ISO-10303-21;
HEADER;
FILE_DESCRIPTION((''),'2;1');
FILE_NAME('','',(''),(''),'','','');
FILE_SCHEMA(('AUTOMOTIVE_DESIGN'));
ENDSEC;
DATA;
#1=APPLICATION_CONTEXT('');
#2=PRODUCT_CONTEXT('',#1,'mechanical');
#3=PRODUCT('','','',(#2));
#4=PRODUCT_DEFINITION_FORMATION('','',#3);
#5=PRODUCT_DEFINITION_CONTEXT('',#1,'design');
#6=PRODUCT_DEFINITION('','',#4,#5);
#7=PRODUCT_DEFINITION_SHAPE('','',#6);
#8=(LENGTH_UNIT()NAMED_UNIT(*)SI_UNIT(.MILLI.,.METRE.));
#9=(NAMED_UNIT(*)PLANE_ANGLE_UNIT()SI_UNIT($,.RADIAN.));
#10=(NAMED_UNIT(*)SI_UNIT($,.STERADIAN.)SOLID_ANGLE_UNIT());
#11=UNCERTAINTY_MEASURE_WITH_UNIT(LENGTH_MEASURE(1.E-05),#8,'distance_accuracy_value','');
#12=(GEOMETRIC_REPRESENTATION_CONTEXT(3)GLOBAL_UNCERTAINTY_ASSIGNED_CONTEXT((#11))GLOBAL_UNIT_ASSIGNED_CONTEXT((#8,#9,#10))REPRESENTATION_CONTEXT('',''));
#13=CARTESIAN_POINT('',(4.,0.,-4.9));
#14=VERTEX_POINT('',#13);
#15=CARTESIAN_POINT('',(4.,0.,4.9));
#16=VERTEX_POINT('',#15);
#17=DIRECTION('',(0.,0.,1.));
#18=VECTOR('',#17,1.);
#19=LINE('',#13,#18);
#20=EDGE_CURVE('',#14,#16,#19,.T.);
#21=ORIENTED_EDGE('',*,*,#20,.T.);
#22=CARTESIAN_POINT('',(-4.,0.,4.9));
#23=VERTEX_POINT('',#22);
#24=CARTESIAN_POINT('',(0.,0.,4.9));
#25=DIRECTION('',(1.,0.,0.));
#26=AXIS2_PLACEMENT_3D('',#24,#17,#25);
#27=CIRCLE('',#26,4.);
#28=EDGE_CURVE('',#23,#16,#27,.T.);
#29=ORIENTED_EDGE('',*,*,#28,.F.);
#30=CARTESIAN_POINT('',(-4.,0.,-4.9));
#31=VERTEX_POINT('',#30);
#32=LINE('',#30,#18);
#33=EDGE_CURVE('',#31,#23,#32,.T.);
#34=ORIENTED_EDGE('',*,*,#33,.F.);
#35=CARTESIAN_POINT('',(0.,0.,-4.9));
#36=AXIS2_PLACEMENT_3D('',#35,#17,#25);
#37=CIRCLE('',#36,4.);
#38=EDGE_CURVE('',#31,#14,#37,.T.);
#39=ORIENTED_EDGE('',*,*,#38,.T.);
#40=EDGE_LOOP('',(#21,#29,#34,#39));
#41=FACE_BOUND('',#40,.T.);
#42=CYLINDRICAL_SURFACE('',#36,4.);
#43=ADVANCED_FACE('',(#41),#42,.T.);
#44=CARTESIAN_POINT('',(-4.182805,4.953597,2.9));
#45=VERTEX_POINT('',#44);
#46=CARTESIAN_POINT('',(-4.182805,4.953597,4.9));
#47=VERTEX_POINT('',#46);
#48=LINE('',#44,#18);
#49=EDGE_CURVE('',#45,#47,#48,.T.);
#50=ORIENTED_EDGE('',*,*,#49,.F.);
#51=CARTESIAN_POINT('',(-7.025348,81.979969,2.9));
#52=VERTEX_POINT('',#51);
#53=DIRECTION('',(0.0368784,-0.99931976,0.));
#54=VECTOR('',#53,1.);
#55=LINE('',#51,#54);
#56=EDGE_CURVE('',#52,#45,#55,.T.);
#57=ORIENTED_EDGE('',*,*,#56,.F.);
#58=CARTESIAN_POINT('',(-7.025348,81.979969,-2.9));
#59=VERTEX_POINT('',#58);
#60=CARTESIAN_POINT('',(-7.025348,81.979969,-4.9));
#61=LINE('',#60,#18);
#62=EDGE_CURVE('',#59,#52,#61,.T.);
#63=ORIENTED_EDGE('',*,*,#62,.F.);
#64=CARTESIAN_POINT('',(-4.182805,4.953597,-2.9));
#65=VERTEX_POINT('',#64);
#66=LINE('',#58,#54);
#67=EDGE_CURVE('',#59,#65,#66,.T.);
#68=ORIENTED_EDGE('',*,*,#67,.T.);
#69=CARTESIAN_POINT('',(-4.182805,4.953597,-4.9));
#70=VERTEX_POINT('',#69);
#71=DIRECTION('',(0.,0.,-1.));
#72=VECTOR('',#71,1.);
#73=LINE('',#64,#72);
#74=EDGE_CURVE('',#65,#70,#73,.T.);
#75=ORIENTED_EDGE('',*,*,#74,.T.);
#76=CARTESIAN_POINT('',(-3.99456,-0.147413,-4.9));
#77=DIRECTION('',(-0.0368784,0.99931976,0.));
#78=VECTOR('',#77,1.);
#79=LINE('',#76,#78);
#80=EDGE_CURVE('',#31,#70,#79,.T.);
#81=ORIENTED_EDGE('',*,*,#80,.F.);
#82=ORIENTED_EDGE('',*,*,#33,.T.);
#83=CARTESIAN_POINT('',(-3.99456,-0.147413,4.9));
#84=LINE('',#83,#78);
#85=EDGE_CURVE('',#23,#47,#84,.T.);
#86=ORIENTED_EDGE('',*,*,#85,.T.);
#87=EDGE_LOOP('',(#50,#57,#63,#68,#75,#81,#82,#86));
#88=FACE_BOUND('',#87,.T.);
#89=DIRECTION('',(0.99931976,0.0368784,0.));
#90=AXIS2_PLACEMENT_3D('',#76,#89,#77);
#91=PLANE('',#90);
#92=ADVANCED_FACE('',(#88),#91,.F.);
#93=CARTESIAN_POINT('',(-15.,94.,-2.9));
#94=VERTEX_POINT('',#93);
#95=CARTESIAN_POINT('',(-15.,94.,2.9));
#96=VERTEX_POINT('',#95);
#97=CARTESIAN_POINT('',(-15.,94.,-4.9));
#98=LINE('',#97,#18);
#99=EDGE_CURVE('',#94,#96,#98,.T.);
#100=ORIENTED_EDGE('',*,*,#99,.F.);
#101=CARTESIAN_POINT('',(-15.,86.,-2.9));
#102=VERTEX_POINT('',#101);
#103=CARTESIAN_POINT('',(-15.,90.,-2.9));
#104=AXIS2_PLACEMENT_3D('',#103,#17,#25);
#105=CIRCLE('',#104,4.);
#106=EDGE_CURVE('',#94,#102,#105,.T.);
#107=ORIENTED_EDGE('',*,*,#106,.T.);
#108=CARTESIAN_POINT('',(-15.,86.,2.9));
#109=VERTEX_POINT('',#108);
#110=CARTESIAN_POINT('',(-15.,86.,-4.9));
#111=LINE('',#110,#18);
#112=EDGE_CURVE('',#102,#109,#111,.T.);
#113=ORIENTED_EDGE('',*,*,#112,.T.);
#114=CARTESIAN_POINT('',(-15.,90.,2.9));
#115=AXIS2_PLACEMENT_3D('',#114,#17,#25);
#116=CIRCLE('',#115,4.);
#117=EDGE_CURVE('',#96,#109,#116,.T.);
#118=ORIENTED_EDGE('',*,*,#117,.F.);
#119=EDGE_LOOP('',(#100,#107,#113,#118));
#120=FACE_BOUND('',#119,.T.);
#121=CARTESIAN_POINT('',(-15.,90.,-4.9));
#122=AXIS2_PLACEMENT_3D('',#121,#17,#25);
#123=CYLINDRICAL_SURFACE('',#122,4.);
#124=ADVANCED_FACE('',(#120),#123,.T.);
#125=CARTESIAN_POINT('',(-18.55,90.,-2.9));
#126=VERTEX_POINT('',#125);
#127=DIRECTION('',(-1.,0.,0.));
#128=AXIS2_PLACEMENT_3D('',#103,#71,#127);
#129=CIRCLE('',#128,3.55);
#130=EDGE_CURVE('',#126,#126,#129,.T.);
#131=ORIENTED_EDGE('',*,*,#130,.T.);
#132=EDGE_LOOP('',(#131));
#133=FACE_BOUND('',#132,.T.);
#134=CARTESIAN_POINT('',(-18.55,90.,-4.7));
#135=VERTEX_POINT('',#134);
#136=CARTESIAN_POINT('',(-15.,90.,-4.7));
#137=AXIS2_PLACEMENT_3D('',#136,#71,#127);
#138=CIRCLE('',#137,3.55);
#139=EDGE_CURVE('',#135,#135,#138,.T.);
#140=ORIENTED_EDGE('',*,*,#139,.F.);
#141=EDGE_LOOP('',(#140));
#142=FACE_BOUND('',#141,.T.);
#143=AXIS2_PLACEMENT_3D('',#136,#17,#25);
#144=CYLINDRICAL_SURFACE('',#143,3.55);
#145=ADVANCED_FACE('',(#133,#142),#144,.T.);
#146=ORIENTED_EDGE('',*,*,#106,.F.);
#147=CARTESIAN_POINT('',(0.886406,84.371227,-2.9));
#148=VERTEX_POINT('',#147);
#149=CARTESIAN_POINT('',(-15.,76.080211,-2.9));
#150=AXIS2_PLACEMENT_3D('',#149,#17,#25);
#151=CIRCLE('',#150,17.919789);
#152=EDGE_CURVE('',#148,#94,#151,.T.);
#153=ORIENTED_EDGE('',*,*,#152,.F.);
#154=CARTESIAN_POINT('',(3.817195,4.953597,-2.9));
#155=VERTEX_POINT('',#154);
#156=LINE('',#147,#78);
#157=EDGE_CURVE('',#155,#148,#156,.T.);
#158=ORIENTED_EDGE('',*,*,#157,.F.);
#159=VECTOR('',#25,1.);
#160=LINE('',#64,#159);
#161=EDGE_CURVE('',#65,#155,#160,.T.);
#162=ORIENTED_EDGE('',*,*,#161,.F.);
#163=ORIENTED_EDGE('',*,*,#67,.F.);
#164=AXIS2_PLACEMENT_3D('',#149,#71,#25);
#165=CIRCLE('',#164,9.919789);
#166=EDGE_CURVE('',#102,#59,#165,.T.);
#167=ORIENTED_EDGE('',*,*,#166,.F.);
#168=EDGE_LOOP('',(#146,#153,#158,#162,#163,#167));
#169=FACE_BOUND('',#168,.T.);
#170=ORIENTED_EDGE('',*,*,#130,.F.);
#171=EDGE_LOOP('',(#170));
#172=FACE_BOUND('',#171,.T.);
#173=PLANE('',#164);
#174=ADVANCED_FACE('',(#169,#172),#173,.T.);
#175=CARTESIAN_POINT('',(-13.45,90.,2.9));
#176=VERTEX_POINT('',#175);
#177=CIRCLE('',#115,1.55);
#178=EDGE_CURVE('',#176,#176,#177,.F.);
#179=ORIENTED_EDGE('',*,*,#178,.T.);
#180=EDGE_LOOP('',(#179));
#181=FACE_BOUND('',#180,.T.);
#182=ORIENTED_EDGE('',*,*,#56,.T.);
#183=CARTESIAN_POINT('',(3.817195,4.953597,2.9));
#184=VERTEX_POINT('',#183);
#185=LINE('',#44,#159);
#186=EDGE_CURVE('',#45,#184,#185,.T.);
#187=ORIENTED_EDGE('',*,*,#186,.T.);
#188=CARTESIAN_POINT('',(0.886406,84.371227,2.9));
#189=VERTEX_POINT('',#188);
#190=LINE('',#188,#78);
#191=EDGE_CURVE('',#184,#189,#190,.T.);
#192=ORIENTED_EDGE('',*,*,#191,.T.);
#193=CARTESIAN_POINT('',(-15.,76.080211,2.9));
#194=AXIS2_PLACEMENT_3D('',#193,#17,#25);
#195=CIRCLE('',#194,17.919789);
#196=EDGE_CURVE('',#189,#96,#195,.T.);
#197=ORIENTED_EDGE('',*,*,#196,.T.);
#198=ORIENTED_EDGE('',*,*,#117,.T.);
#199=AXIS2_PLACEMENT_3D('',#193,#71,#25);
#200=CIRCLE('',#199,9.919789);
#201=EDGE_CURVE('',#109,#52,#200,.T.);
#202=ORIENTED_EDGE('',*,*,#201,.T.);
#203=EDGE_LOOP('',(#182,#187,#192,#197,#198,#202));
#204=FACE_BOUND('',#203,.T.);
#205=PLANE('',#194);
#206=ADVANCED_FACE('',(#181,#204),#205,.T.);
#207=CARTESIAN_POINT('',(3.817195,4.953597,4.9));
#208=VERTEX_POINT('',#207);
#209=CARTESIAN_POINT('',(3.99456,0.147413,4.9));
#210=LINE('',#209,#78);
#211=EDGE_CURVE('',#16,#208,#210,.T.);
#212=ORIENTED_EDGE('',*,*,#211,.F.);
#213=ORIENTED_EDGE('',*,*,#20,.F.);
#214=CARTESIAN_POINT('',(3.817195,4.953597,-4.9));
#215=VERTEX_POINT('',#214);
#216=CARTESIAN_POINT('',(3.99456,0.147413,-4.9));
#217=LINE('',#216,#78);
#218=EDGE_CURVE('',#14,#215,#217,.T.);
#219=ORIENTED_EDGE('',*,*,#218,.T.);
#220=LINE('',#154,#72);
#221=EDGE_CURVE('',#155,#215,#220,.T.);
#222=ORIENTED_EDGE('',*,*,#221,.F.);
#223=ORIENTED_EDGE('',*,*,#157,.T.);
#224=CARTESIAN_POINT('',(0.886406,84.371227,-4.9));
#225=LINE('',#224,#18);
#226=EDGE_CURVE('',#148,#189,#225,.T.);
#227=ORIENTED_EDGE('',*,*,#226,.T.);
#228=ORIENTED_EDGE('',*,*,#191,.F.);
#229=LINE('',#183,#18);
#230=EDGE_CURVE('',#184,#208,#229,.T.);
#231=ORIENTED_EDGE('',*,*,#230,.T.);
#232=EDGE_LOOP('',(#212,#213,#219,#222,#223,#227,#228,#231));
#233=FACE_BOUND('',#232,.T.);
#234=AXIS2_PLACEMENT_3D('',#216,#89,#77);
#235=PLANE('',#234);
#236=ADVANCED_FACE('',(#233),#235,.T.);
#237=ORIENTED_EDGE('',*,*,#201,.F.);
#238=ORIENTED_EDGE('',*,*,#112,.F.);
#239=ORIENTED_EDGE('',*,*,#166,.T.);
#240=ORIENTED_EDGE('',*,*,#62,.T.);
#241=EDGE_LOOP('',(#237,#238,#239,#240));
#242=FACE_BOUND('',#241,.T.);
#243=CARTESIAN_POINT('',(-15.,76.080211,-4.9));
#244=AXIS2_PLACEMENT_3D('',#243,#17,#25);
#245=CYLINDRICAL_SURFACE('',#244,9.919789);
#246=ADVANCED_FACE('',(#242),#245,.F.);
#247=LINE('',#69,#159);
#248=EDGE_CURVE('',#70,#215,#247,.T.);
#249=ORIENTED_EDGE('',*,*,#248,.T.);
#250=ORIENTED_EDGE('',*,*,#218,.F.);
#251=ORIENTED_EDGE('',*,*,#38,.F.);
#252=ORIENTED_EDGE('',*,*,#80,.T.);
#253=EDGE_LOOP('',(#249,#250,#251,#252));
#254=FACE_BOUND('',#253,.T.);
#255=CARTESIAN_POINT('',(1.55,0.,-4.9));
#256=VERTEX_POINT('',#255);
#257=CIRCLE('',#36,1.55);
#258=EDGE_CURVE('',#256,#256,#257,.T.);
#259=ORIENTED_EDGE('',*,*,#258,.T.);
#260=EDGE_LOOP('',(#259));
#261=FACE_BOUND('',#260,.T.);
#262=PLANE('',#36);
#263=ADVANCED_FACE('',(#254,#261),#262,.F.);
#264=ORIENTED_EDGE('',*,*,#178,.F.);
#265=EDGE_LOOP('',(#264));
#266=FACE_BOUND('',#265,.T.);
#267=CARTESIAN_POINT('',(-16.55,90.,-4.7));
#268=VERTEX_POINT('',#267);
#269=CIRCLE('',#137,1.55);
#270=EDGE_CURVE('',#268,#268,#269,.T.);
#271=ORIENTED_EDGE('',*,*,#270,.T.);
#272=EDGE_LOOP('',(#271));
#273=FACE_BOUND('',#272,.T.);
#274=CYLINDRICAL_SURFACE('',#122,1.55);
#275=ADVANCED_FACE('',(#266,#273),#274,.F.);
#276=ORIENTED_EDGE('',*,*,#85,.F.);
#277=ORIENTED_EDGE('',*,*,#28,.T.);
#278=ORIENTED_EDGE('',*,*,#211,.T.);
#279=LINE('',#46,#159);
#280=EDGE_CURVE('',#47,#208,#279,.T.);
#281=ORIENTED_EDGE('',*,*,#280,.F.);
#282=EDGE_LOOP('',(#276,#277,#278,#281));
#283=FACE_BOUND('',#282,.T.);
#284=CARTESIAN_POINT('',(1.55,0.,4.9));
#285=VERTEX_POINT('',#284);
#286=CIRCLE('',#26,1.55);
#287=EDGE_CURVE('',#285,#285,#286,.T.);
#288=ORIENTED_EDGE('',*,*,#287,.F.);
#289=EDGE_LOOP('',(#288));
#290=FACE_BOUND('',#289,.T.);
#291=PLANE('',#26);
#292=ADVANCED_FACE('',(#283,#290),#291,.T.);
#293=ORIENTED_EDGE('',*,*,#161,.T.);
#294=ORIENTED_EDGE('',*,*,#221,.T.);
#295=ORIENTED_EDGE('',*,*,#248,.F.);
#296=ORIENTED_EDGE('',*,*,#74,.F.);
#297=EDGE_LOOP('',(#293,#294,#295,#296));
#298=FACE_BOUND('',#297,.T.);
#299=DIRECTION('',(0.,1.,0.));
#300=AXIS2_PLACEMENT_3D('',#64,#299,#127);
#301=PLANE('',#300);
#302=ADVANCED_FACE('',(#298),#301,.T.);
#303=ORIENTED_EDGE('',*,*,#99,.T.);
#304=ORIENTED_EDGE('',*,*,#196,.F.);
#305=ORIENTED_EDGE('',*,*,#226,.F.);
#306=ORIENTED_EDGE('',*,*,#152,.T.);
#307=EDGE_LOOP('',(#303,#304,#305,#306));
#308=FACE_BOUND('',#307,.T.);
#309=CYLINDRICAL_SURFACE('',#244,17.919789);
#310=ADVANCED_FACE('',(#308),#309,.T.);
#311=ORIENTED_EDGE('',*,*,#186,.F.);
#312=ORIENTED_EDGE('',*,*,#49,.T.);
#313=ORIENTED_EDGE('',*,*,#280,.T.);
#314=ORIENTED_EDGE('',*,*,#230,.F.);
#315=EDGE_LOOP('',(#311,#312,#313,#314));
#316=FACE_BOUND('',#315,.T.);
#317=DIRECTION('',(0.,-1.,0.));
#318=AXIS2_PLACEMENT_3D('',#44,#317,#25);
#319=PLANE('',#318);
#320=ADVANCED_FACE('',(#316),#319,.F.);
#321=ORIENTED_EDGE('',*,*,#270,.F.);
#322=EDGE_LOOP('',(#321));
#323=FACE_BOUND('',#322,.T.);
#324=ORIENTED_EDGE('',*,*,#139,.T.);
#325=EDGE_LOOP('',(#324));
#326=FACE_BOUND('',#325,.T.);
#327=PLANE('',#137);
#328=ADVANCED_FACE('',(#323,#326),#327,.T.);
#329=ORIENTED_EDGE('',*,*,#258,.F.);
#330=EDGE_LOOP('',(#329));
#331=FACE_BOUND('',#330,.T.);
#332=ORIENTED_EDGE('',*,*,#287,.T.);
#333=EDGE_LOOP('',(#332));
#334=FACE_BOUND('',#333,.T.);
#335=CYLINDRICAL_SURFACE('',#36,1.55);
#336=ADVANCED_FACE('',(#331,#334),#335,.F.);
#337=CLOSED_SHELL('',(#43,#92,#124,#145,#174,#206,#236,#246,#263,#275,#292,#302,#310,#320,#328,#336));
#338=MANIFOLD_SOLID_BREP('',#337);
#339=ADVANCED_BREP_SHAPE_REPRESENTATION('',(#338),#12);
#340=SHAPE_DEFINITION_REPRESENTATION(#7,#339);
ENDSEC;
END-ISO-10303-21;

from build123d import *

# Parameters (mm, degrees)
BOSS_EXTRU_1_DEPTH      = 4.9
BOSS_EXTRU_1_DEPTH_BACK = 4.9
ESQUISSE1_R             = 1.55
CUT_EXTRUDE1_START      = -2
CUT_EXTRUDE1_DEPTH      = 2
BOSS_EXTRUDE1_START     = 1.8
SKETCH2_R               = 3.55
SKETCH2_R_2             = 1.55
BOSS_EXTRUDE1_DEPTH     = 1.8


with BuildPart() as part:
    # Esquisse1 → Boss.-Extru.1 (new, two sides: drawn at the far end of the back side and taken through both)
    with BuildSketch(Plane.XY.offset(-BOSS_EXTRU_1_DEPTH_BACK)):
        with BuildLine():
            Line((-7.025348052, 81.979968784), (-4, 0))
            ThreePointArc((-4, 0), (0, -4), (4, 0))
            Line((4, 0), (0.886406153, 84.37122672))
            ThreePointArc((0.886406153, 84.37122672), (-5.711685092, 91.40489844), (-15, 94))
            ThreePointArc((-15, 94), (-19, 90), (-15, 86))
            ThreePointArc((-15, 86), (-10.534696968, 84.938161277), (-7.025348052, 81.979968784))
        make_face()
        Circle(ESQUISSE1_R, mode=Mode.SUBTRACT)
        with Locations((-15, 90)):
            Circle(ESQUISSE1_R, mode=Mode.SUBTRACT)
    extrude(amount=BOSS_EXTRU_1_DEPTH + BOSS_EXTRU_1_DEPTH_BACK)

    # Sketch1 → Cut-Extrude1 (cut)
    with BuildSketch(Plane.XY.offset(4.9).offset(CUT_EXTRUDE1_START)):
        with BuildLine():
            Line((-7.025348052, 81.979968784), (-4.182805069, 4.953596614))
            Line((-4.182805069, 4.953596614), (3.817194931, 4.953596614))
            Line((3.817194931, 4.953596614), (0.886406153, 84.37122672))
            ThreePointArc((0.886406153, 84.37122672), (-5.711685092, 91.40489844), (-15, 94))
            ThreePointArc((-15, 94), (-19, 90), (-15, 86))
            ThreePointArc((-15, 86), (-10.534696968, 84.938161277), (-7.025348052, 81.979968784))
        make_face()
    cut_extrude1 = extrude(amount=CUT_EXTRUDE1_DEPTH, mode=Mode.SUBTRACT)

    # Mirror1: Cut-Extrude1 across plane
    add(cut_extrude1.mirror(Plane.XY), mode=Mode.SUBTRACT)

    # Sketch2 → Boss-Extrude1 (add)
    with BuildSketch(Plane(origin=(0, 0, -2.9), x_dir=(-1, 0, 0), z_dir=(0, 0, -1)).offset(BOSS_EXTRUDE1_START)):
        with Locations((15, 90)):
            Circle(SKETCH2_R)
        with Locations((15, 90)):
            Circle(SKETCH2_R_2, mode=Mode.SUBTRACT)
    extrude(amount=-BOSS_EXTRUDE1_DEPTH)


solid = part.part
